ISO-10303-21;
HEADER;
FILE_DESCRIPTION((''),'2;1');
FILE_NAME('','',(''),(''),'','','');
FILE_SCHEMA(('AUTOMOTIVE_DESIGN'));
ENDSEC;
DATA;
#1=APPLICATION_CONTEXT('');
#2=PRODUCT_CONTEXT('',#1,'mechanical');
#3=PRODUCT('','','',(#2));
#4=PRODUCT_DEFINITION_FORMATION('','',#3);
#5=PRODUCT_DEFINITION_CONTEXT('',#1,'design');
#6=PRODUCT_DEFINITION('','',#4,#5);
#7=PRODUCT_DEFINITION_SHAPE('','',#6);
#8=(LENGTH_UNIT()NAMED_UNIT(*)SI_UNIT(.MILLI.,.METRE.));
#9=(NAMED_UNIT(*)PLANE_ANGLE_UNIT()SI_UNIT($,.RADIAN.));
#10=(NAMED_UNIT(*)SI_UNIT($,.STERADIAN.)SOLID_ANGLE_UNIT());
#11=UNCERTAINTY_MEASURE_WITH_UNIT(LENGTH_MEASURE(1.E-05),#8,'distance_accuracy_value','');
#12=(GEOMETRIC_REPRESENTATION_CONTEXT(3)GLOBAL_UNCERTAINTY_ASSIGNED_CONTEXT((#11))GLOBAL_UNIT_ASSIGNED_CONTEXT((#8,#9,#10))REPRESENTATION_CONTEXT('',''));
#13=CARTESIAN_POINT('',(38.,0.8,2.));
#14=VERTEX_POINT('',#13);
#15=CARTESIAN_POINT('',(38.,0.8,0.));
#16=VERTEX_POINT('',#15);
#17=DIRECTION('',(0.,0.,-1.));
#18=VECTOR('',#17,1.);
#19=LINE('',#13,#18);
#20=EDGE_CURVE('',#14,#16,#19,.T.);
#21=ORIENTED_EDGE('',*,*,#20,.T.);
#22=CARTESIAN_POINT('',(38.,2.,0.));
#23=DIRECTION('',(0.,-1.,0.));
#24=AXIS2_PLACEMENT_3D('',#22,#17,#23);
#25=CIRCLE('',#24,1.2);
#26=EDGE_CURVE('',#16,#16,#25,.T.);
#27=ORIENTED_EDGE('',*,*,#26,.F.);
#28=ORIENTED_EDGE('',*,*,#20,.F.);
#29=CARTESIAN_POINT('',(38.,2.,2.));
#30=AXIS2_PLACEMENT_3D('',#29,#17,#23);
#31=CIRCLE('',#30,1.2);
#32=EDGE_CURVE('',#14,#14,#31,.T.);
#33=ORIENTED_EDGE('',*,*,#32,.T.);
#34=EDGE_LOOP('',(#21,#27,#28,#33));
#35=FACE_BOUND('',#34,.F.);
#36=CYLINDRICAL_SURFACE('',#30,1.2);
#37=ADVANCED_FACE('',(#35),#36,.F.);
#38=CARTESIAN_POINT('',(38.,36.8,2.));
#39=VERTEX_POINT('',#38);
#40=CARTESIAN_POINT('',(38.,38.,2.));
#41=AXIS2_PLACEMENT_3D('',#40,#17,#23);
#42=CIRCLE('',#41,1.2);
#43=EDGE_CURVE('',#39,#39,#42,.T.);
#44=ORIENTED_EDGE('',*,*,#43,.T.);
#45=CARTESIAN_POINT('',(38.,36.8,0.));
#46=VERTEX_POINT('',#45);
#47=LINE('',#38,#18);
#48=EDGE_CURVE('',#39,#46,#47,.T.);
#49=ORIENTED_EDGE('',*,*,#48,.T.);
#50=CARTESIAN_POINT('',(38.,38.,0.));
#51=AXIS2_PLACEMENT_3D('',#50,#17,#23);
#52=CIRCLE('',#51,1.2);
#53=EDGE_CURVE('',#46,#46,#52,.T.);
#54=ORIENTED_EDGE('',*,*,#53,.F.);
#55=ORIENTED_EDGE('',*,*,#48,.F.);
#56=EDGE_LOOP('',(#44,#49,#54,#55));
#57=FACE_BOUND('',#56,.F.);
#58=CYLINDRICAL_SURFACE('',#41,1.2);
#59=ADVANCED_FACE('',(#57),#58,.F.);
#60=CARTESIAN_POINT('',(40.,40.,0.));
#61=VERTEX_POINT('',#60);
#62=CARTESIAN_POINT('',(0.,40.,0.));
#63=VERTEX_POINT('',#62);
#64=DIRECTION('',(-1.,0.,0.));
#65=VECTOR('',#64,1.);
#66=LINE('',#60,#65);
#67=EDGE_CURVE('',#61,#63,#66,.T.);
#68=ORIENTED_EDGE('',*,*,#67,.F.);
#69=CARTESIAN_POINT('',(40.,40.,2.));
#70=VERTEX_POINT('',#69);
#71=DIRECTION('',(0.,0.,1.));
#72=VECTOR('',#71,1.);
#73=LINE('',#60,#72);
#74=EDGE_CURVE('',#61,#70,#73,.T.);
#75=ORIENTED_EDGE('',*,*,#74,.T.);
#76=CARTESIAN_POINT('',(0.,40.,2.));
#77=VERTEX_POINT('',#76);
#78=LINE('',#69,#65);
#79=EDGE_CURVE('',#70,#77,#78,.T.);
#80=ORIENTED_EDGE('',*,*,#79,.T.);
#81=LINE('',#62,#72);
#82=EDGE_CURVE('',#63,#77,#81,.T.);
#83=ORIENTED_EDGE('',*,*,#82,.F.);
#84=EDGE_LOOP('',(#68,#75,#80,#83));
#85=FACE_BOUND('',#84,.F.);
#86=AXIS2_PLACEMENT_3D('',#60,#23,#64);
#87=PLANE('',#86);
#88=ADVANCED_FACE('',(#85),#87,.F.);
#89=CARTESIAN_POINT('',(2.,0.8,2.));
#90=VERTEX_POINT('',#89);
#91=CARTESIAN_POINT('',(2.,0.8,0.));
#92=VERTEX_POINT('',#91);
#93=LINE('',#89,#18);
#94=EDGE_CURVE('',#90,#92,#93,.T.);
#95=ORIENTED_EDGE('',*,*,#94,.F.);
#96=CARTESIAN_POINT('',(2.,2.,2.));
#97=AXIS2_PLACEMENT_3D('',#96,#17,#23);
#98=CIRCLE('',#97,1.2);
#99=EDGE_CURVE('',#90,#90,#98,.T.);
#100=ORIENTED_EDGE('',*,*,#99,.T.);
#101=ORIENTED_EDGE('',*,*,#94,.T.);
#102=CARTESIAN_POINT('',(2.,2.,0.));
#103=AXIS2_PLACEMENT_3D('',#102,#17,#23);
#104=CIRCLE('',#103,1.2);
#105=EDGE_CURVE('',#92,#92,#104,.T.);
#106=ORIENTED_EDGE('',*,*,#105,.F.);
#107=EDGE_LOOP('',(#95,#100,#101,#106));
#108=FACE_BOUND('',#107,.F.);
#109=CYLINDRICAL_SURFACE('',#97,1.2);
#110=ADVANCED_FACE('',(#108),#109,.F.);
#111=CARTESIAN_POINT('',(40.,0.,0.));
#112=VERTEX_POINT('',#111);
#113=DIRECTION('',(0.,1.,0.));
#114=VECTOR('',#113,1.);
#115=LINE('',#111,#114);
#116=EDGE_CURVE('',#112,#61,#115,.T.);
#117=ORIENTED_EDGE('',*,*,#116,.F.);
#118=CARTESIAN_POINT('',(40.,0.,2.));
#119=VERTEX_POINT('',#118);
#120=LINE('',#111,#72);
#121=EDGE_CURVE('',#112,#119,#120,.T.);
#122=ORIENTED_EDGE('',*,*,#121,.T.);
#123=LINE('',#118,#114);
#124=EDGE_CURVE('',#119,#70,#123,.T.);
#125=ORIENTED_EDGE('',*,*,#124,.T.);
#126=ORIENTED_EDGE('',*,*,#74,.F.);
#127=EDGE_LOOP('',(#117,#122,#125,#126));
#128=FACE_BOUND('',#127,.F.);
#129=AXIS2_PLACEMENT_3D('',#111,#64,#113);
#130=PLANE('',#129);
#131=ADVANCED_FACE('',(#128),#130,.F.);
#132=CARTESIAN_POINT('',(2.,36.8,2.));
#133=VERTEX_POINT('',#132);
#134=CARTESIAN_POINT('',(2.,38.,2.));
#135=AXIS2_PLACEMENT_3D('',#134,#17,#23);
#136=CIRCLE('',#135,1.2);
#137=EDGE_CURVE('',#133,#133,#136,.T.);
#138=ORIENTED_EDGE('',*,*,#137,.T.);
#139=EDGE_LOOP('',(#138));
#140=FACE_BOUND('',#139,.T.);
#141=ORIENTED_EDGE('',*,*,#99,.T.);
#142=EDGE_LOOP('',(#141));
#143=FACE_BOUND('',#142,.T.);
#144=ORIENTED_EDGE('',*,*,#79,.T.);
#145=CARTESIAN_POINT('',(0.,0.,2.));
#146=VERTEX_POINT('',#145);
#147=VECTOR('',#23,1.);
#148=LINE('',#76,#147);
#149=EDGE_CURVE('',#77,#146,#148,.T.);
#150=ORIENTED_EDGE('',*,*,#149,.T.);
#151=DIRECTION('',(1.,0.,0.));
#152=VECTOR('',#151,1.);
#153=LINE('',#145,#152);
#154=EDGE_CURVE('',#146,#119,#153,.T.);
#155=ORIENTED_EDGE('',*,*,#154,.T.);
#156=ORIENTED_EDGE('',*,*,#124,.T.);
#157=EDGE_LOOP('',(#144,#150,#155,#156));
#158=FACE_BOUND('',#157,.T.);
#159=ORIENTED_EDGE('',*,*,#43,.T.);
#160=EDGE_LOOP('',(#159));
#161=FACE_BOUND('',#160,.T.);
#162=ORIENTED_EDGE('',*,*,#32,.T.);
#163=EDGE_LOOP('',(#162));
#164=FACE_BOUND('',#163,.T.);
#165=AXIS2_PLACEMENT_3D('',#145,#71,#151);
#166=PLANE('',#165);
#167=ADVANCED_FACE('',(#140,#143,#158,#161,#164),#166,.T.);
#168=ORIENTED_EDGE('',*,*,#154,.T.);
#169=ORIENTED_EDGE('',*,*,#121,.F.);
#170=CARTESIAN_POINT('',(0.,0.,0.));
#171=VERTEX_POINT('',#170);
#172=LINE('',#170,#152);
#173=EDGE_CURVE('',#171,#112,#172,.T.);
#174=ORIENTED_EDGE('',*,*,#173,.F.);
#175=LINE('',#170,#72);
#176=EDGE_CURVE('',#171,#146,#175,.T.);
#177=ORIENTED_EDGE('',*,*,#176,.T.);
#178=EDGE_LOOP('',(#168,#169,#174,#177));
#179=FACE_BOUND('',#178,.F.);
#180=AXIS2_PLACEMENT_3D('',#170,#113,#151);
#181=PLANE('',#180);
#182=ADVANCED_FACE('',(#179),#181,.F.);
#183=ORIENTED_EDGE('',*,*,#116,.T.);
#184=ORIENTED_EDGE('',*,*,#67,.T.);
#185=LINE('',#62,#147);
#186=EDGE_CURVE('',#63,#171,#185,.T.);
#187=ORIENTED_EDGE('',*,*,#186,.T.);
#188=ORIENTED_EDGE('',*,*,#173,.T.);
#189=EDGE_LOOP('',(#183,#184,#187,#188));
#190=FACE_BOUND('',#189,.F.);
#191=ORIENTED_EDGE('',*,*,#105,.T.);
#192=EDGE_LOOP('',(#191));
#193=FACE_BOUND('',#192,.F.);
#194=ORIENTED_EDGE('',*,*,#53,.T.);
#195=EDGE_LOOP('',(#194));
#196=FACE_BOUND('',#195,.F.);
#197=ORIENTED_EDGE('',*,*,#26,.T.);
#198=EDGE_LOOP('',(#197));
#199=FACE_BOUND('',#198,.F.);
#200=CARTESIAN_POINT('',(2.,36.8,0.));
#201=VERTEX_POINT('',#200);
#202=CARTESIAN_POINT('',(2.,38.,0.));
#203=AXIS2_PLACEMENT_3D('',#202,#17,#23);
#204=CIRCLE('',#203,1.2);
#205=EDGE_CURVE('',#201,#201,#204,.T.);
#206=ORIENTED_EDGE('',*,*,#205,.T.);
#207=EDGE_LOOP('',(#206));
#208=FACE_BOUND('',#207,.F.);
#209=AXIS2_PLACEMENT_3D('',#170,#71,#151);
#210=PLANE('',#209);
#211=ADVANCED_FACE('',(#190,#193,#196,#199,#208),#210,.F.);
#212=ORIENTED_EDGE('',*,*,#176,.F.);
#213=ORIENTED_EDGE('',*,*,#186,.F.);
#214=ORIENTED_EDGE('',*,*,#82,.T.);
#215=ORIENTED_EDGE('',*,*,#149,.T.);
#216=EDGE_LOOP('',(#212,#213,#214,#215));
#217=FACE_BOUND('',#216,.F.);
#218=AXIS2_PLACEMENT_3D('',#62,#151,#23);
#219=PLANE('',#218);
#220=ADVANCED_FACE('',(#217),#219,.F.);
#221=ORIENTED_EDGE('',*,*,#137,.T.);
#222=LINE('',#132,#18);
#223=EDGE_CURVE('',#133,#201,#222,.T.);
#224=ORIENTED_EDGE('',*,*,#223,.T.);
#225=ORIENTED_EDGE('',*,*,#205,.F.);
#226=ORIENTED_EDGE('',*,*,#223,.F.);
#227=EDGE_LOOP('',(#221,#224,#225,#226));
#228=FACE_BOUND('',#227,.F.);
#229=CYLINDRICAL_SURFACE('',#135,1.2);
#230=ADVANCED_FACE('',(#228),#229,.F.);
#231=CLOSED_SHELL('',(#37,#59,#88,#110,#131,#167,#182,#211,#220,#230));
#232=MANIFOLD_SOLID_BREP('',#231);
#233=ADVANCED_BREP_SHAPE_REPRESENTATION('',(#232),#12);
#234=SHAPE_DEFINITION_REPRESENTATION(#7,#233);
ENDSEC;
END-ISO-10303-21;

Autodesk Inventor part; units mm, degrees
ref_plane "YZ Plane" through (0, 0, 0) normal (1, 0, 0) x (0, 1, 0)
ref_plane "XZ Plane" through (0, 0, 0) normal (0, 1, 0) x (-1, 0, 0)
ref_plane "XY Plane" through (0, 0, 0) normal (0, 0, 1) x (1, 0, 0)
sketch "Skizze1" plane through (0, 0, 0) normal (0, 0, 1) x (1, 0, 0)
  line L0 (0, 0) -> (40, 0)
  line L1 (40, 0) -> (40, 40)
  line L2 (40, 40) -> (0, 40)
  line L3 (0, 40) -> (0, 0)
  dimension "d0" = 40
  dimension "d1" = 40
extrude "Extrusion1" add sketch "Skizze1" along normal blind 2
sketch "Skizze3" plane through (0, 0, 2) normal (0, 0, 1) x (1, 0, 0)
  line L0 (0, 0) -> (0, 40) projected
  line L1 (40, 0) -> (0, 0) projected
  line L2 (40, 40) -> (40, 0) projected
  line L3 (0, 40) -> (40, 40) projected
  line L4 (36, 36) -> (36, 4)
  line L5 (36, 4) -> (4, 4)
  line L6 (4, 4) -> (4, 36)
  line L7 (4, 36) -> (36, 36)
  line L8 (38, 38) -> (38, 2)
  line L9 (38, 2) -> (2, 2)
  line L10 (2, 2) -> (2, 38)
  line L11 (2, 38) -> (38, 38)
  dimension "d14" = 4
  dimension "d15" = 2
hole "Bohrung2" at (38, 38, 2) at (2, 38, 2) at (2, 2, 2) at (38, 2, 2) direction (0, 0, -1) diameter 2.4 end through all
properties part number "13_0204_004-1"
